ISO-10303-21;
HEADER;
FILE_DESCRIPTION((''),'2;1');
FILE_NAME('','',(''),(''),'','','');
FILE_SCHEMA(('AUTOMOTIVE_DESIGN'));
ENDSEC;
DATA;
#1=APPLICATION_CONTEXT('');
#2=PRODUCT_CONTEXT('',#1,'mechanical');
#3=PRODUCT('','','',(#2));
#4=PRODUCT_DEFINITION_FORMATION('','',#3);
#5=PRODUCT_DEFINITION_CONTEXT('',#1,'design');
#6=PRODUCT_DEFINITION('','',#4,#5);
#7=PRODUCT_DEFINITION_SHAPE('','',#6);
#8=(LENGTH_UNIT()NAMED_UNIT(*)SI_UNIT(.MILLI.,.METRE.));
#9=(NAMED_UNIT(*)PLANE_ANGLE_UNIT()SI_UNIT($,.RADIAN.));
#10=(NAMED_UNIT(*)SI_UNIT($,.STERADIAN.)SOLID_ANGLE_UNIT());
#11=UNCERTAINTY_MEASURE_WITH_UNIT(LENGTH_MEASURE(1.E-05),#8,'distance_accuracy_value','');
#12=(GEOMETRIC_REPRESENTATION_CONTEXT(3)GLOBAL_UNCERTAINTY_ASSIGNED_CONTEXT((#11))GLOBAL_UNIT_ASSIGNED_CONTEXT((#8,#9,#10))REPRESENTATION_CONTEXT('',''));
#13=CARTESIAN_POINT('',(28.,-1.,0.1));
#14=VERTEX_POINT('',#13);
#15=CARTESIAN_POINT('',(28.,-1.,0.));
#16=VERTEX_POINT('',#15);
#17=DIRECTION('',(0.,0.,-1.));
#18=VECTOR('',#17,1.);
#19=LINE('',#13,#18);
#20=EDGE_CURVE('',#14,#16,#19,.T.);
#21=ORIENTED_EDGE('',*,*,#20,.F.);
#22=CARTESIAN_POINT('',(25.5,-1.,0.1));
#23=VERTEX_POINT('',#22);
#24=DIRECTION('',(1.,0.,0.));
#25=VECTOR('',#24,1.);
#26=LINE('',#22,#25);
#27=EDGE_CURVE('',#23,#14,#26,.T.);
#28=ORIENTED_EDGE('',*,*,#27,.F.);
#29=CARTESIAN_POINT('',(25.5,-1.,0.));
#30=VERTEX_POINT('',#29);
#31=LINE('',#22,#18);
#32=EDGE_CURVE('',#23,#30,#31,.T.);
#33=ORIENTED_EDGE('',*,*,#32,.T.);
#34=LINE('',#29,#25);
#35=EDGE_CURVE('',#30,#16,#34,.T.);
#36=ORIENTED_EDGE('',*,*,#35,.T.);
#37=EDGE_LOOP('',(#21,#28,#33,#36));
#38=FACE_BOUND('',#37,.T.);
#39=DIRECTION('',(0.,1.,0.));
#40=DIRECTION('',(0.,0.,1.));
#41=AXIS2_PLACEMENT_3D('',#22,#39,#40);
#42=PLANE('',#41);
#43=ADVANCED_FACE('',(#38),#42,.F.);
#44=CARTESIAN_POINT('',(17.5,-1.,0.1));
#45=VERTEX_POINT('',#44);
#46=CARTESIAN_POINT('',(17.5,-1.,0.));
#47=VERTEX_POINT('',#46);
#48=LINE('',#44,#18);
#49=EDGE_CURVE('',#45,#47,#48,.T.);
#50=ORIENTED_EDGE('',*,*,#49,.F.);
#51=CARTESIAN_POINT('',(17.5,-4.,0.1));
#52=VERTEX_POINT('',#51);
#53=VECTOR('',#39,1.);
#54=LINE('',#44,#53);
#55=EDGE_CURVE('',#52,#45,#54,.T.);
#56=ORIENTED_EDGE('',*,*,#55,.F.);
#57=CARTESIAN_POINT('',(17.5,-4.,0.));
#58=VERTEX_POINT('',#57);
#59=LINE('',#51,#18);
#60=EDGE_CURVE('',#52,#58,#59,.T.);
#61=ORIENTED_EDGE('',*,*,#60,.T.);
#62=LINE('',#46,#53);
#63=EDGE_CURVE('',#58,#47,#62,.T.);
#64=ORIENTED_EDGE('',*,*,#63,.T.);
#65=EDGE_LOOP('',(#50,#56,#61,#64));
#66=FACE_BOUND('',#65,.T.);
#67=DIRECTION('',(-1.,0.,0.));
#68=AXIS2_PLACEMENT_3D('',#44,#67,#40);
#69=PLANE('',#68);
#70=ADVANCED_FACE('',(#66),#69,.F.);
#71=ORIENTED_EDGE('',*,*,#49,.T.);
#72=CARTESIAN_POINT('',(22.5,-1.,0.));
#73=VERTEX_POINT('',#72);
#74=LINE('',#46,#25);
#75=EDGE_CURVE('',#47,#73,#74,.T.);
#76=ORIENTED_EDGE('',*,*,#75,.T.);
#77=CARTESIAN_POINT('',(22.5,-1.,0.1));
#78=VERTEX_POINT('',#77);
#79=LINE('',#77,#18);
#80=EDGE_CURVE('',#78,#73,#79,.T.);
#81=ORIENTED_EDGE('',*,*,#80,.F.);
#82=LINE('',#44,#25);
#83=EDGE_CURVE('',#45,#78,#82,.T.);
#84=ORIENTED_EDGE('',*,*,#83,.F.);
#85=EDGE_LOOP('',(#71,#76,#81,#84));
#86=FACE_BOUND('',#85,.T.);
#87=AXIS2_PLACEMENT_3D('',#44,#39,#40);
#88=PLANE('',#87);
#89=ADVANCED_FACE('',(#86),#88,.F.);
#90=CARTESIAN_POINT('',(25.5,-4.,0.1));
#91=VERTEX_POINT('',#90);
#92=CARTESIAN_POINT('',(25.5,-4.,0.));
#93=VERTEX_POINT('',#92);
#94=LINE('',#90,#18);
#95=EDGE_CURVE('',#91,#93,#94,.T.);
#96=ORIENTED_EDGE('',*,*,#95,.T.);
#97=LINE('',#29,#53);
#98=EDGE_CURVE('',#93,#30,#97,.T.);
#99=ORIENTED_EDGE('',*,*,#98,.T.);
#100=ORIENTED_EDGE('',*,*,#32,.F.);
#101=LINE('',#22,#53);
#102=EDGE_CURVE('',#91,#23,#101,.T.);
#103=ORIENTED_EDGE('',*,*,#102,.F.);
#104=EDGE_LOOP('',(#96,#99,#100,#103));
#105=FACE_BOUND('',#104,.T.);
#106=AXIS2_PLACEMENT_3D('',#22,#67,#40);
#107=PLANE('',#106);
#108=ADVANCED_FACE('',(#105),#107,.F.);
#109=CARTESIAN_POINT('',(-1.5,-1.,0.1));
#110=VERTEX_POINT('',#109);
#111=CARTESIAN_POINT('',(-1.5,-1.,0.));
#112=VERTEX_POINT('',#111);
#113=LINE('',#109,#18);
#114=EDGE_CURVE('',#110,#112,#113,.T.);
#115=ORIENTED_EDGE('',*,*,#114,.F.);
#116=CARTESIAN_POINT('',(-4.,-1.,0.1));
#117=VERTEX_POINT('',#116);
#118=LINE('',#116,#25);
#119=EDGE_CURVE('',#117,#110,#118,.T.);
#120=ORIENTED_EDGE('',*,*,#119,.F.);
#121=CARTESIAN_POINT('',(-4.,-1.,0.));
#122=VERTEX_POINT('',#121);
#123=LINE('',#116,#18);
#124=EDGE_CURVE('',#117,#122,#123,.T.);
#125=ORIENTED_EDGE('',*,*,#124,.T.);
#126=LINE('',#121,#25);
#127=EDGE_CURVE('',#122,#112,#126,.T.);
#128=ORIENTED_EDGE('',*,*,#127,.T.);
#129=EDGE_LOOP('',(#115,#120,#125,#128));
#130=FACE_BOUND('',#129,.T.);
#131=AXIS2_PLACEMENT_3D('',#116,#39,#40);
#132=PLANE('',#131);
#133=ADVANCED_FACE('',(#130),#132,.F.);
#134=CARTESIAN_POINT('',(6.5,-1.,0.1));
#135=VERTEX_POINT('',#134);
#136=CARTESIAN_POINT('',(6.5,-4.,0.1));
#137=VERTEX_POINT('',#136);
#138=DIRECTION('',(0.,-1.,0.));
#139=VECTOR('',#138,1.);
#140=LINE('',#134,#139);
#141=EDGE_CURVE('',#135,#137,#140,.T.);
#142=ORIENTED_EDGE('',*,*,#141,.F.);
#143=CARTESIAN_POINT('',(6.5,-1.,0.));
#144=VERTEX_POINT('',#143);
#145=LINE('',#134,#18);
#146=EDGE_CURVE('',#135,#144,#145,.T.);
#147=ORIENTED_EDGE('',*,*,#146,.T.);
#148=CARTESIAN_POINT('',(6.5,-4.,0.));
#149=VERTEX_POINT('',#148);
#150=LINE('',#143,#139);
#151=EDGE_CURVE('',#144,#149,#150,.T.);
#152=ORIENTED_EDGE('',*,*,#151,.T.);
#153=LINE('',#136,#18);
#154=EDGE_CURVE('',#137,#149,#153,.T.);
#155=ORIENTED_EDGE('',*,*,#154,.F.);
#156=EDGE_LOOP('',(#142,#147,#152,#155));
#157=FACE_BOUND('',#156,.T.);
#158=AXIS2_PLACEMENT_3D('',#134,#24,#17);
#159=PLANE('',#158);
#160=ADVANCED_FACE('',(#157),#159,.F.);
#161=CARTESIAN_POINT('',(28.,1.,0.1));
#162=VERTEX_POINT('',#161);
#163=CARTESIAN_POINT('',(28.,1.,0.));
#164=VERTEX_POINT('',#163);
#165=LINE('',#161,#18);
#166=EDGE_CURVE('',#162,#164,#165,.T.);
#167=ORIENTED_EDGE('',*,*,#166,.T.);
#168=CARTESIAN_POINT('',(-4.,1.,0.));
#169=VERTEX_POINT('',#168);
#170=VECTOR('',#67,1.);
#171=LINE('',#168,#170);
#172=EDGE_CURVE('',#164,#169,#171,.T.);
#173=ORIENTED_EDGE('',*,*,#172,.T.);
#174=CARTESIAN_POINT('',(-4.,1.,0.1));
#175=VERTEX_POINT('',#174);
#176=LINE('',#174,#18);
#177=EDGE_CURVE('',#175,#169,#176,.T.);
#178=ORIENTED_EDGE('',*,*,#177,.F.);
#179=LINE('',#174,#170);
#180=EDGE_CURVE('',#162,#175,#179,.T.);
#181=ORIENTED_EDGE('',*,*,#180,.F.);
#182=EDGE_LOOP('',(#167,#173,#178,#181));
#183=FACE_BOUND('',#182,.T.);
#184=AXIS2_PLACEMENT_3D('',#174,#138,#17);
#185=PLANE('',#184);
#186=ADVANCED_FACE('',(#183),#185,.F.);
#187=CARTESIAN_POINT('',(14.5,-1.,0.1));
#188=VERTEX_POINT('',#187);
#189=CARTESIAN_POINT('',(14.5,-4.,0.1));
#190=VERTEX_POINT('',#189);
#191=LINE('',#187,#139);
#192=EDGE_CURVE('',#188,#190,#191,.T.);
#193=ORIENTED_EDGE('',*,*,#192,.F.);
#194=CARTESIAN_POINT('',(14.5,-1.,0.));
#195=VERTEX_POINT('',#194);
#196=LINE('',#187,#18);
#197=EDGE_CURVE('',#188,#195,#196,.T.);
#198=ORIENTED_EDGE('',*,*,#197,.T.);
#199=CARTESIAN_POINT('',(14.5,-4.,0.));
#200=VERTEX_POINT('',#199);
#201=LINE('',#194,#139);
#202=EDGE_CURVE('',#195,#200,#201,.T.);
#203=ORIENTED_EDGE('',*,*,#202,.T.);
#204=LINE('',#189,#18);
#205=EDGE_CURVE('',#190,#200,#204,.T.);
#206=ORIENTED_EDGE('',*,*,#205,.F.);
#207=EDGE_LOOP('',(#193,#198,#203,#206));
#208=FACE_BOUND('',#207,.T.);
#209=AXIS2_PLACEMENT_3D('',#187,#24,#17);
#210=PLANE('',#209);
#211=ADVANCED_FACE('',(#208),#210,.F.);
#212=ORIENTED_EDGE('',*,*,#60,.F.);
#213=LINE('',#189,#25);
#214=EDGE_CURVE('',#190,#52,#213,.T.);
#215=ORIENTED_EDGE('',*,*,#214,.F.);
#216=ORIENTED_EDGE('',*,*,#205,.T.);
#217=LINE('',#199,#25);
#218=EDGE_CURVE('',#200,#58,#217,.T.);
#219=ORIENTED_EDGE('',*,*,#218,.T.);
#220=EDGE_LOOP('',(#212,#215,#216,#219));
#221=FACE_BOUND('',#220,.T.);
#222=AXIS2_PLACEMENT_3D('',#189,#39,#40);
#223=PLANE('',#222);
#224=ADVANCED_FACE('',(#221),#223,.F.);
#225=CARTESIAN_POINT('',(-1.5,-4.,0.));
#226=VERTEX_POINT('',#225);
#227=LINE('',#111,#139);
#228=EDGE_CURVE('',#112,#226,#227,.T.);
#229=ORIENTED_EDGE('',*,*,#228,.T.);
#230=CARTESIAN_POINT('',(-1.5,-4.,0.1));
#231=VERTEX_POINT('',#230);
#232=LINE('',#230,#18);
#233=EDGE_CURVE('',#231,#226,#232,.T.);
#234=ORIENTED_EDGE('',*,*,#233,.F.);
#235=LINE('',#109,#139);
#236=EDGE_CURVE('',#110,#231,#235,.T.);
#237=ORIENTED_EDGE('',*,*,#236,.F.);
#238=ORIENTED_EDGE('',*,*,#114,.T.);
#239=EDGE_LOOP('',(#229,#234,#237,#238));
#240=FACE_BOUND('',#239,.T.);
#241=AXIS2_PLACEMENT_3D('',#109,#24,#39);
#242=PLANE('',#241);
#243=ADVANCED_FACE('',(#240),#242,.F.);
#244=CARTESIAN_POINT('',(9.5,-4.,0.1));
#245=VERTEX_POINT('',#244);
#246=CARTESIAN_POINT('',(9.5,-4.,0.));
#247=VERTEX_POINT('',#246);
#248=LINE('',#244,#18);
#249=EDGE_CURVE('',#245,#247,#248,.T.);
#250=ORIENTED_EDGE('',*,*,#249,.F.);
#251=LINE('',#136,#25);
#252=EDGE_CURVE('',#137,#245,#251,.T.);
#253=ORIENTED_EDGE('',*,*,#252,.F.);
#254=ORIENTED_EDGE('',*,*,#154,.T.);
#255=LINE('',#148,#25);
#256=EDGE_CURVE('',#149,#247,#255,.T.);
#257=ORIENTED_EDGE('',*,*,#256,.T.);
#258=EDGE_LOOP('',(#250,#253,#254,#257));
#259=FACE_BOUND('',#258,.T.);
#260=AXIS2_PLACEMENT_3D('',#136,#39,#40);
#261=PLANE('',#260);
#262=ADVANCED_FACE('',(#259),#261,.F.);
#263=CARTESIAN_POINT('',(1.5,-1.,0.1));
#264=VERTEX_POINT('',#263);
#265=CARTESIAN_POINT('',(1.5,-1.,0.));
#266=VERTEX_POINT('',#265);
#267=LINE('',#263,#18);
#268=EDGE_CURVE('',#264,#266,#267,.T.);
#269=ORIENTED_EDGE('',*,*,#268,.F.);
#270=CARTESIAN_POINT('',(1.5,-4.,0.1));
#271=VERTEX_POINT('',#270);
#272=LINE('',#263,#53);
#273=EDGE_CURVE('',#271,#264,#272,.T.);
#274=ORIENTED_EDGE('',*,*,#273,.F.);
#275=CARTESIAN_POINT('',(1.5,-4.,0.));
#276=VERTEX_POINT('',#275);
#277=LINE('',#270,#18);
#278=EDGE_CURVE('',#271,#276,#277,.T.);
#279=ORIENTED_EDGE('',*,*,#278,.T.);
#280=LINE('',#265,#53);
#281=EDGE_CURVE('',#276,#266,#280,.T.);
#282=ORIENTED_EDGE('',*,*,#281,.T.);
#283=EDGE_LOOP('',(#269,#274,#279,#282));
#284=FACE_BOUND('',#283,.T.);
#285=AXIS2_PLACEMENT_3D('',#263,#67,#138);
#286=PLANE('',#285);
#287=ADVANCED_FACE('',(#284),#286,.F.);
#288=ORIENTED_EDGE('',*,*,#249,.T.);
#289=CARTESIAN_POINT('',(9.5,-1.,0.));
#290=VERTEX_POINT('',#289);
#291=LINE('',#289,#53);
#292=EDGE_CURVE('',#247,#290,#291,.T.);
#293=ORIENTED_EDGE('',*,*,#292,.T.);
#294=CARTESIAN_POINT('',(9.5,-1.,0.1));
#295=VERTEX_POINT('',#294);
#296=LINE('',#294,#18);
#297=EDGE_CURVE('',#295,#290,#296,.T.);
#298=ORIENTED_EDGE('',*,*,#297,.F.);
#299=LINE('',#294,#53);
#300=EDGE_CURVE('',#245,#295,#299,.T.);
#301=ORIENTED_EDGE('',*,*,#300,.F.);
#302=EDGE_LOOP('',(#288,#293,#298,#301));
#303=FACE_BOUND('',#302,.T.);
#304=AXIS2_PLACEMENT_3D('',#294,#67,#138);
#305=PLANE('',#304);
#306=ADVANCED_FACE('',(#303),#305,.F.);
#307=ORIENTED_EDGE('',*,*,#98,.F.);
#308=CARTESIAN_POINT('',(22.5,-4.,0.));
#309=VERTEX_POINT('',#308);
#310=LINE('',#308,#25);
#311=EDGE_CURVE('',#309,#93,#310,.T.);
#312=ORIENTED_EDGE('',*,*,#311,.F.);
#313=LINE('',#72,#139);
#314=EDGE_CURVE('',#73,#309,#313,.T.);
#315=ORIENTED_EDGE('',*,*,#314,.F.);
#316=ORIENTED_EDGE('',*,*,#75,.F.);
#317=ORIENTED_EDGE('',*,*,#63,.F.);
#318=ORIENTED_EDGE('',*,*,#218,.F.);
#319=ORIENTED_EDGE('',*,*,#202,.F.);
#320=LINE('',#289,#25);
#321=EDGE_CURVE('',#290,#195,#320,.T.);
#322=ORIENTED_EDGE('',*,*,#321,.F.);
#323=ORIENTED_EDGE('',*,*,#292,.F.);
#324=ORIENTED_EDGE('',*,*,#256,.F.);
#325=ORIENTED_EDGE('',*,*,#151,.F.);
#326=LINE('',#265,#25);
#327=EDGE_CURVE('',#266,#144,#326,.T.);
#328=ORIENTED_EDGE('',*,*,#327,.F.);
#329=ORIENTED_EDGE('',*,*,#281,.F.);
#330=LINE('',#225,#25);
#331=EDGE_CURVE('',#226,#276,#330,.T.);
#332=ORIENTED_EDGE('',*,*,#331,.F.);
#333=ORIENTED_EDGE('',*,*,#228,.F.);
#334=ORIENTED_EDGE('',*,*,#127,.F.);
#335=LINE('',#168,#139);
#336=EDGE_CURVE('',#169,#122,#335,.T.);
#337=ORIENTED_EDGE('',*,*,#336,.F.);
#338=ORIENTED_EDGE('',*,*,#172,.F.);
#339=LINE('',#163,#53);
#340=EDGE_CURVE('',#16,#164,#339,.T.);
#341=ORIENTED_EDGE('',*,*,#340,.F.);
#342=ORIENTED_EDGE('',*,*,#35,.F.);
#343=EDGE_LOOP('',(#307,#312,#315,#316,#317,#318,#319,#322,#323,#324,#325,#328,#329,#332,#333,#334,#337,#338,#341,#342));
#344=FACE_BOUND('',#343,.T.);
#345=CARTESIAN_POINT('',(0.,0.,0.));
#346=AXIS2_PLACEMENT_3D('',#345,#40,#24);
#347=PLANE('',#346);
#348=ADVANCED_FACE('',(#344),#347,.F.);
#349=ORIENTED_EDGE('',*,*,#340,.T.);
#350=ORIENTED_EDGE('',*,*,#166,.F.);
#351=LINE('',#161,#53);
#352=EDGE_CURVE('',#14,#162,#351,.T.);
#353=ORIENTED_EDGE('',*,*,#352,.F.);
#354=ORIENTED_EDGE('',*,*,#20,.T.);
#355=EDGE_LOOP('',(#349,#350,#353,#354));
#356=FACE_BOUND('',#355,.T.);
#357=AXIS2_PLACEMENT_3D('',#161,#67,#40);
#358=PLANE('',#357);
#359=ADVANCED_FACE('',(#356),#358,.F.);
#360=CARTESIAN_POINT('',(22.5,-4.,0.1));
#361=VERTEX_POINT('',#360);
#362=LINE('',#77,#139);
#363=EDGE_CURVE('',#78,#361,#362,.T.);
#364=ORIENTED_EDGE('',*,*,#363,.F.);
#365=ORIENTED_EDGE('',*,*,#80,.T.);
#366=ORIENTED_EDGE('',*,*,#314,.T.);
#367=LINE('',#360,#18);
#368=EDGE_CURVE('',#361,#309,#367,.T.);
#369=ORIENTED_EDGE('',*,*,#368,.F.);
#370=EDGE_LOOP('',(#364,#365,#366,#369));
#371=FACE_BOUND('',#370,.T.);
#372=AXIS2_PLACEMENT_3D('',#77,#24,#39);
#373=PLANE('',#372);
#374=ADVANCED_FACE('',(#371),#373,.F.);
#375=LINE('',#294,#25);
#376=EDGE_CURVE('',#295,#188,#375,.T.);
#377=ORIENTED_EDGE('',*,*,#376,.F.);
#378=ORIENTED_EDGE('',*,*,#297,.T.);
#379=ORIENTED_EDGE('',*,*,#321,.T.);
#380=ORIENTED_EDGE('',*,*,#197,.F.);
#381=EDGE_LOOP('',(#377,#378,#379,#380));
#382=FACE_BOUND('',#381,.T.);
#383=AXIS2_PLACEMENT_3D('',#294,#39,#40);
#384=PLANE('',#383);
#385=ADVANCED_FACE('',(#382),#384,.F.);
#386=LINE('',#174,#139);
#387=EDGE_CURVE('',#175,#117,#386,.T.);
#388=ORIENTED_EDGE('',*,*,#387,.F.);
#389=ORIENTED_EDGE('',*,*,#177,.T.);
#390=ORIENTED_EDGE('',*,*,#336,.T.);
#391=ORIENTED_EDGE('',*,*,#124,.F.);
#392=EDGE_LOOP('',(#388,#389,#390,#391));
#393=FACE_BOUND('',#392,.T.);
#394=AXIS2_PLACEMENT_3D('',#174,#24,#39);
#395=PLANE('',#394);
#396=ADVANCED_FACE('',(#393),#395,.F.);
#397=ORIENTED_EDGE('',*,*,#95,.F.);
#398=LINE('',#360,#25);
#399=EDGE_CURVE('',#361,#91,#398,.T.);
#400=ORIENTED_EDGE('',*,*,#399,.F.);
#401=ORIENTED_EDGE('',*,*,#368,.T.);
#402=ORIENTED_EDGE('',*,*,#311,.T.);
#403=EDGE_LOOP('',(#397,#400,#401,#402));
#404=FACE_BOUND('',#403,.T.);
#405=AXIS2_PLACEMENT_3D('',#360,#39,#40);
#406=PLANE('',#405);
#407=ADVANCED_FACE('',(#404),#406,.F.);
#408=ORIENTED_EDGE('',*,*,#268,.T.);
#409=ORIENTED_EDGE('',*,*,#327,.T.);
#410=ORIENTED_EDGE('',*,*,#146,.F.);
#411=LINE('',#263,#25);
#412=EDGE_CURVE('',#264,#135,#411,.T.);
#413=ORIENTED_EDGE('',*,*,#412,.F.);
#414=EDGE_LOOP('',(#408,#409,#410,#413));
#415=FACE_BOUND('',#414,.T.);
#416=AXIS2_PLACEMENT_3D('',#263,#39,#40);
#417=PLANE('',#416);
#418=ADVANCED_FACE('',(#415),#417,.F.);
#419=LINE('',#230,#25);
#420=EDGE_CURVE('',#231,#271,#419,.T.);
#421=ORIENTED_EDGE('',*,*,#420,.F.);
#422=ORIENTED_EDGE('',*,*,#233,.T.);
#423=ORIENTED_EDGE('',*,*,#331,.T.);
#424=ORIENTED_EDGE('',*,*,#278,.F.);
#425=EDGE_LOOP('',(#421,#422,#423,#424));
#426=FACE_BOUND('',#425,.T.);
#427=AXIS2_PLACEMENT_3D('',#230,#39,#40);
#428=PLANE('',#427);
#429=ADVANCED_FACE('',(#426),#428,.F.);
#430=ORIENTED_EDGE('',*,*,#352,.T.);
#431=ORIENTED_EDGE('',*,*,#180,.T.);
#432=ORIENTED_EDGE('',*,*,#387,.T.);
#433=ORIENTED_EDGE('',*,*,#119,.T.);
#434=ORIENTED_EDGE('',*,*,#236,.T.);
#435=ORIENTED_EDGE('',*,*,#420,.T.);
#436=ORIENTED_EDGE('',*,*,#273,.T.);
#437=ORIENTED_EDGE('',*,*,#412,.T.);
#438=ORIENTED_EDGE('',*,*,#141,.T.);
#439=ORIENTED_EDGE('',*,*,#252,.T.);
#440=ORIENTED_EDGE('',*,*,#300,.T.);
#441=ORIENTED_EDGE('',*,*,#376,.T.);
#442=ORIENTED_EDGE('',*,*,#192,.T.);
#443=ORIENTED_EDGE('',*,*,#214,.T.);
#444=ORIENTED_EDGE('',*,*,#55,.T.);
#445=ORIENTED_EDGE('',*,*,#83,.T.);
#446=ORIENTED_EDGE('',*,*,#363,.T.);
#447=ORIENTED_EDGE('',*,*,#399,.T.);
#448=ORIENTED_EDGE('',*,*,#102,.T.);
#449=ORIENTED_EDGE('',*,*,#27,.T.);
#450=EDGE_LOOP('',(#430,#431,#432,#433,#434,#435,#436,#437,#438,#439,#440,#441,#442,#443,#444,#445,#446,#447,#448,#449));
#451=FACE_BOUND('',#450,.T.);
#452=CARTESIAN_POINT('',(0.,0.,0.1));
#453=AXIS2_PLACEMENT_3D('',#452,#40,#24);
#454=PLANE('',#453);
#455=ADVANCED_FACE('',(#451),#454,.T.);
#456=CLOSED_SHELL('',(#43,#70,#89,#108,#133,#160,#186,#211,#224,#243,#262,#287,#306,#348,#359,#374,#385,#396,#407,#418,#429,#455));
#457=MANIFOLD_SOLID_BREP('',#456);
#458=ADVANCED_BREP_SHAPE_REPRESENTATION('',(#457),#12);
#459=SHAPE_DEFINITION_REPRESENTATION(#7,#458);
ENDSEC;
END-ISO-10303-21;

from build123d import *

# Parameters (mm, degrees)
BOSS_EXTRUDE1_DEPTH = 0.1


with BuildPart() as part:
    # Sketch1 → Boss-Extrude1 (new body)
    with BuildSketch(Plane.XY):
        Polygon((6.5, -4), (9.5, -4), (9.5, -1), (14.5, -1), (14.5, -4), (17.5, -4), (17.5, -1), (22.5, -1), (22.5, -4), (25.5, -4), (25.5, -1), (28, -1), (28, 1), (-4, 1), (-4, -1), (-1.5, -1), (-1.5, -4), (1.5, -4), (1.5, -1), (6.5, -1), align=None)
    extrude(amount=BOSS_EXTRUDE1_DEPTH)


solid = part.part
